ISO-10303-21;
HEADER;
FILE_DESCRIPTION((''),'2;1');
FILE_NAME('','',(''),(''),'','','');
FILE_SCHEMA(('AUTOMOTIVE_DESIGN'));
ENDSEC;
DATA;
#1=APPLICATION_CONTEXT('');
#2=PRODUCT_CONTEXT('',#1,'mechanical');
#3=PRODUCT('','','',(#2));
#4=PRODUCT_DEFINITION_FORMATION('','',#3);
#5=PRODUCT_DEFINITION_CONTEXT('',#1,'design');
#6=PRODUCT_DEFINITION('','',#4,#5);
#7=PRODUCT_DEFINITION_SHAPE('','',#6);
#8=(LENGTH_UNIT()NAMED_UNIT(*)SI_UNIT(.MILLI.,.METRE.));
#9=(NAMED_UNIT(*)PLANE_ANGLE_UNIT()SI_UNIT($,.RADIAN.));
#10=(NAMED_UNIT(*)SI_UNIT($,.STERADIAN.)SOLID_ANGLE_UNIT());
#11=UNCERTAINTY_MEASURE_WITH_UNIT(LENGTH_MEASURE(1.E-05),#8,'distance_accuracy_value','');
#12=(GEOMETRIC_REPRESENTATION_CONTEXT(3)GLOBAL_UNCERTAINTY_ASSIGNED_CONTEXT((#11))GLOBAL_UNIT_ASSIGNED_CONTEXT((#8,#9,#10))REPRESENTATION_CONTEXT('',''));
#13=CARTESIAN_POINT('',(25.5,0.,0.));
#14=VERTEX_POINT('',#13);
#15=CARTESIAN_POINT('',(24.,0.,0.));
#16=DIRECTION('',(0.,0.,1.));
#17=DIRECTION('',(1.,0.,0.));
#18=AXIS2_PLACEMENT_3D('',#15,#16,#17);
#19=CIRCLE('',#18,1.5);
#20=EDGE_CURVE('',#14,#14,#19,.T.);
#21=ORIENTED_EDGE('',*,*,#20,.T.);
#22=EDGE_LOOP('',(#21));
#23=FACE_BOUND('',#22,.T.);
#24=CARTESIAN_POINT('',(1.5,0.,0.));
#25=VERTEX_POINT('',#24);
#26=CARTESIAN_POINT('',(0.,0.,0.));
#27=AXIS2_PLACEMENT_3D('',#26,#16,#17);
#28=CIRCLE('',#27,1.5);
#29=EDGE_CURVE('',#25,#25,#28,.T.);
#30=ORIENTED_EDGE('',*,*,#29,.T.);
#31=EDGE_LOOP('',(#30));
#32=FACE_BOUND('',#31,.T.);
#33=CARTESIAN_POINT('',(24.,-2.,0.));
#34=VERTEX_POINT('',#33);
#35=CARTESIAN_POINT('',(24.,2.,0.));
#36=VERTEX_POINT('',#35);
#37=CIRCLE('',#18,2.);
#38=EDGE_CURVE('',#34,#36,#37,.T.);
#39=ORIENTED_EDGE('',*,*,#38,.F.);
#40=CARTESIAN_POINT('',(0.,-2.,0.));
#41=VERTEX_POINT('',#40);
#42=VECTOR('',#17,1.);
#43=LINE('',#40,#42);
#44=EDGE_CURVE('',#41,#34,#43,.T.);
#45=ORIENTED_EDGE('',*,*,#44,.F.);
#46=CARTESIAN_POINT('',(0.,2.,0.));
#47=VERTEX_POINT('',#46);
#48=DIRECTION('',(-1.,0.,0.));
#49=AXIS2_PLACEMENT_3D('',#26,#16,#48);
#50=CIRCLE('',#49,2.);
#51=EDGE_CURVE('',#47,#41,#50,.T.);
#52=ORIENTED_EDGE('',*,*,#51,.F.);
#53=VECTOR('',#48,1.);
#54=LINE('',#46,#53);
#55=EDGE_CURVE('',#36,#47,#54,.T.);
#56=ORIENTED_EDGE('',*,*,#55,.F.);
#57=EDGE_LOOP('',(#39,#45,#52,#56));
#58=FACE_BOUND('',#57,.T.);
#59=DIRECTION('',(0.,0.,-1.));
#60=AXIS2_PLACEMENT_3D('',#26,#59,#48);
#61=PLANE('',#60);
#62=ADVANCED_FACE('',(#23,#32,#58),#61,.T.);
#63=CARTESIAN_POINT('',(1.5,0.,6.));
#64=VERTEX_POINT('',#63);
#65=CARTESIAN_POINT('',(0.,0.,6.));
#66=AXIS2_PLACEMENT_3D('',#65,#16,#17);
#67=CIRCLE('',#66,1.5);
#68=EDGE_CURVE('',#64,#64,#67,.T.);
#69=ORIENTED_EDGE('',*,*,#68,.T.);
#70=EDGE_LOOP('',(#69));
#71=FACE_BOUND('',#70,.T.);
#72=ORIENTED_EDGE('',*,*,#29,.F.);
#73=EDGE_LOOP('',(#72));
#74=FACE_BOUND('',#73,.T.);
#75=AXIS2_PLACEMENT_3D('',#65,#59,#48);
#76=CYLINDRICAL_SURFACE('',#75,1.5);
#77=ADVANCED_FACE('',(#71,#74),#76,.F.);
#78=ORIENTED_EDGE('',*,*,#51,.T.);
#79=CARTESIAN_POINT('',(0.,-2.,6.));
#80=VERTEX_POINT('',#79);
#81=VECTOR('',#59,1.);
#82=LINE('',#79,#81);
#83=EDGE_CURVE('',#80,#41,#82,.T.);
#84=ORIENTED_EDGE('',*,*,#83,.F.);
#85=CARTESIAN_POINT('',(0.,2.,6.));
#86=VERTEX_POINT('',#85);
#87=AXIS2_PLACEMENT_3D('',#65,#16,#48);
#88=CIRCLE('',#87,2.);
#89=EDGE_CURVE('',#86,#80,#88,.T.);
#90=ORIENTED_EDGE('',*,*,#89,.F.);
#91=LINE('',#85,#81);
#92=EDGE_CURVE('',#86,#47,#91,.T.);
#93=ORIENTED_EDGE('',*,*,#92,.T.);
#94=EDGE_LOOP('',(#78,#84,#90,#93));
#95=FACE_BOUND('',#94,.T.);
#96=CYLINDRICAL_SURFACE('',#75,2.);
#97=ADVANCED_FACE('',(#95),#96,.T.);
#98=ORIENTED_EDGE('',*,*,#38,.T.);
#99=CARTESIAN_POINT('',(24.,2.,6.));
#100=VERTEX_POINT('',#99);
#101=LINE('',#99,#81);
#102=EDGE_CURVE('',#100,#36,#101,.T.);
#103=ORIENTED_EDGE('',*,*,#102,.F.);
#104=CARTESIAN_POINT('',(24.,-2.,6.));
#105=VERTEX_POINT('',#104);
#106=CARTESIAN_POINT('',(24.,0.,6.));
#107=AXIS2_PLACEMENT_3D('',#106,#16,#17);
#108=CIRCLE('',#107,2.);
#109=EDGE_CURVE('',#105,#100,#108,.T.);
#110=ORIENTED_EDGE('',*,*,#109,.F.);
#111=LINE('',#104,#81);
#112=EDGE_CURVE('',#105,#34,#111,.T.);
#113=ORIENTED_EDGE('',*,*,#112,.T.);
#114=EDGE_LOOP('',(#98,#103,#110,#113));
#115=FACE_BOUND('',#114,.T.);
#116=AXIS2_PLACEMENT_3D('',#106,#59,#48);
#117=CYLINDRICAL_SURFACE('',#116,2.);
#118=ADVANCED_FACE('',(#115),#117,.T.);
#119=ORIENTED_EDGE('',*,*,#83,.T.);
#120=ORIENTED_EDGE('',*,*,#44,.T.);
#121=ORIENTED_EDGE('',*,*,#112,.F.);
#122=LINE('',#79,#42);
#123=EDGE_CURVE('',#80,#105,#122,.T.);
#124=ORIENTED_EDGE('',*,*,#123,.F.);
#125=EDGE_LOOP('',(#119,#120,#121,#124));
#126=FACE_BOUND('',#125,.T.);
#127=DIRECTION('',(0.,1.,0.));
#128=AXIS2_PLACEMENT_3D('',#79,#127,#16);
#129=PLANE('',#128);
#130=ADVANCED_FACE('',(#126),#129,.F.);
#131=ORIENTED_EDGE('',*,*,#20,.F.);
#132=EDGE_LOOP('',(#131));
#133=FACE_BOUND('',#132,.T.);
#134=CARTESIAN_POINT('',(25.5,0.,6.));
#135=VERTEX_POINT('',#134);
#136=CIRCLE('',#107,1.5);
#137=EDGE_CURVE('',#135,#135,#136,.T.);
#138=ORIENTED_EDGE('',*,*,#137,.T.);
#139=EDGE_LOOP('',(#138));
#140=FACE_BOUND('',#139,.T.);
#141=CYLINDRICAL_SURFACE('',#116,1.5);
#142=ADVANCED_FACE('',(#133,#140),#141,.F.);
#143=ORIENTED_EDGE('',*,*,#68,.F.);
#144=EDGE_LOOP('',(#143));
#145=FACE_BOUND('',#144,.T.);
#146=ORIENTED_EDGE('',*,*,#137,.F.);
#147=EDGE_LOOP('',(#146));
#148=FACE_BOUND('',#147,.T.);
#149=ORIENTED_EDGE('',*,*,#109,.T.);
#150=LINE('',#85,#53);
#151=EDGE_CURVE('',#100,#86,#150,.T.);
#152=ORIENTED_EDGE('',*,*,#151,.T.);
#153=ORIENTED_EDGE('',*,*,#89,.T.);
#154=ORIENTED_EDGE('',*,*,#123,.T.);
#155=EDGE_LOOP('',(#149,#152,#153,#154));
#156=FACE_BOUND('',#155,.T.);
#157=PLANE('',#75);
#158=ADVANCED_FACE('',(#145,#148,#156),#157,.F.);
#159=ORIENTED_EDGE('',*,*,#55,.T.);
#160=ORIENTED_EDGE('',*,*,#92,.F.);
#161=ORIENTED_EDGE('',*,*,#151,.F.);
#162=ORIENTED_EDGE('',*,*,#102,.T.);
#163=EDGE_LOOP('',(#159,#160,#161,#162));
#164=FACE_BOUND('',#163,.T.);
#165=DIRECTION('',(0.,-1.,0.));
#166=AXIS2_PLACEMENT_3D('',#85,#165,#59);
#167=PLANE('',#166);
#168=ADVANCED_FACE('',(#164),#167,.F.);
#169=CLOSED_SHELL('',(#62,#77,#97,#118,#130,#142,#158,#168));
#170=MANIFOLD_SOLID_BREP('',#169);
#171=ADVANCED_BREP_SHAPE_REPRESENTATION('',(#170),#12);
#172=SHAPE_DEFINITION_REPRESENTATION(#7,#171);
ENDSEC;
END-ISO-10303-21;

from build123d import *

# Parameters (mm, degrees)
SKETCH_1_R      = 1.5
EXTRUDE_1_DEPTH = 6


with BuildPart() as part:
    # 草图1 → 凸台-拉伸1 (new body)
    with BuildSketch(Plane.XY):
        with BuildLine():
            Line((0, -2), (24, -2))
            ThreePointArc((24, -2), (26, 0), (24, 2))
            Line((24, 2), (0, 2))
            ThreePointArc((0, 2), (-2, 0), (0, -2))
        make_face()
        Circle(SKETCH_1_R, mode=Mode.SUBTRACT)
        with Locations((24, 0)):
            Circle(SKETCH_1_R, mode=Mode.SUBTRACT)
    extrude(amount=EXTRUDE_1_DEPTH)


solid = part.part
